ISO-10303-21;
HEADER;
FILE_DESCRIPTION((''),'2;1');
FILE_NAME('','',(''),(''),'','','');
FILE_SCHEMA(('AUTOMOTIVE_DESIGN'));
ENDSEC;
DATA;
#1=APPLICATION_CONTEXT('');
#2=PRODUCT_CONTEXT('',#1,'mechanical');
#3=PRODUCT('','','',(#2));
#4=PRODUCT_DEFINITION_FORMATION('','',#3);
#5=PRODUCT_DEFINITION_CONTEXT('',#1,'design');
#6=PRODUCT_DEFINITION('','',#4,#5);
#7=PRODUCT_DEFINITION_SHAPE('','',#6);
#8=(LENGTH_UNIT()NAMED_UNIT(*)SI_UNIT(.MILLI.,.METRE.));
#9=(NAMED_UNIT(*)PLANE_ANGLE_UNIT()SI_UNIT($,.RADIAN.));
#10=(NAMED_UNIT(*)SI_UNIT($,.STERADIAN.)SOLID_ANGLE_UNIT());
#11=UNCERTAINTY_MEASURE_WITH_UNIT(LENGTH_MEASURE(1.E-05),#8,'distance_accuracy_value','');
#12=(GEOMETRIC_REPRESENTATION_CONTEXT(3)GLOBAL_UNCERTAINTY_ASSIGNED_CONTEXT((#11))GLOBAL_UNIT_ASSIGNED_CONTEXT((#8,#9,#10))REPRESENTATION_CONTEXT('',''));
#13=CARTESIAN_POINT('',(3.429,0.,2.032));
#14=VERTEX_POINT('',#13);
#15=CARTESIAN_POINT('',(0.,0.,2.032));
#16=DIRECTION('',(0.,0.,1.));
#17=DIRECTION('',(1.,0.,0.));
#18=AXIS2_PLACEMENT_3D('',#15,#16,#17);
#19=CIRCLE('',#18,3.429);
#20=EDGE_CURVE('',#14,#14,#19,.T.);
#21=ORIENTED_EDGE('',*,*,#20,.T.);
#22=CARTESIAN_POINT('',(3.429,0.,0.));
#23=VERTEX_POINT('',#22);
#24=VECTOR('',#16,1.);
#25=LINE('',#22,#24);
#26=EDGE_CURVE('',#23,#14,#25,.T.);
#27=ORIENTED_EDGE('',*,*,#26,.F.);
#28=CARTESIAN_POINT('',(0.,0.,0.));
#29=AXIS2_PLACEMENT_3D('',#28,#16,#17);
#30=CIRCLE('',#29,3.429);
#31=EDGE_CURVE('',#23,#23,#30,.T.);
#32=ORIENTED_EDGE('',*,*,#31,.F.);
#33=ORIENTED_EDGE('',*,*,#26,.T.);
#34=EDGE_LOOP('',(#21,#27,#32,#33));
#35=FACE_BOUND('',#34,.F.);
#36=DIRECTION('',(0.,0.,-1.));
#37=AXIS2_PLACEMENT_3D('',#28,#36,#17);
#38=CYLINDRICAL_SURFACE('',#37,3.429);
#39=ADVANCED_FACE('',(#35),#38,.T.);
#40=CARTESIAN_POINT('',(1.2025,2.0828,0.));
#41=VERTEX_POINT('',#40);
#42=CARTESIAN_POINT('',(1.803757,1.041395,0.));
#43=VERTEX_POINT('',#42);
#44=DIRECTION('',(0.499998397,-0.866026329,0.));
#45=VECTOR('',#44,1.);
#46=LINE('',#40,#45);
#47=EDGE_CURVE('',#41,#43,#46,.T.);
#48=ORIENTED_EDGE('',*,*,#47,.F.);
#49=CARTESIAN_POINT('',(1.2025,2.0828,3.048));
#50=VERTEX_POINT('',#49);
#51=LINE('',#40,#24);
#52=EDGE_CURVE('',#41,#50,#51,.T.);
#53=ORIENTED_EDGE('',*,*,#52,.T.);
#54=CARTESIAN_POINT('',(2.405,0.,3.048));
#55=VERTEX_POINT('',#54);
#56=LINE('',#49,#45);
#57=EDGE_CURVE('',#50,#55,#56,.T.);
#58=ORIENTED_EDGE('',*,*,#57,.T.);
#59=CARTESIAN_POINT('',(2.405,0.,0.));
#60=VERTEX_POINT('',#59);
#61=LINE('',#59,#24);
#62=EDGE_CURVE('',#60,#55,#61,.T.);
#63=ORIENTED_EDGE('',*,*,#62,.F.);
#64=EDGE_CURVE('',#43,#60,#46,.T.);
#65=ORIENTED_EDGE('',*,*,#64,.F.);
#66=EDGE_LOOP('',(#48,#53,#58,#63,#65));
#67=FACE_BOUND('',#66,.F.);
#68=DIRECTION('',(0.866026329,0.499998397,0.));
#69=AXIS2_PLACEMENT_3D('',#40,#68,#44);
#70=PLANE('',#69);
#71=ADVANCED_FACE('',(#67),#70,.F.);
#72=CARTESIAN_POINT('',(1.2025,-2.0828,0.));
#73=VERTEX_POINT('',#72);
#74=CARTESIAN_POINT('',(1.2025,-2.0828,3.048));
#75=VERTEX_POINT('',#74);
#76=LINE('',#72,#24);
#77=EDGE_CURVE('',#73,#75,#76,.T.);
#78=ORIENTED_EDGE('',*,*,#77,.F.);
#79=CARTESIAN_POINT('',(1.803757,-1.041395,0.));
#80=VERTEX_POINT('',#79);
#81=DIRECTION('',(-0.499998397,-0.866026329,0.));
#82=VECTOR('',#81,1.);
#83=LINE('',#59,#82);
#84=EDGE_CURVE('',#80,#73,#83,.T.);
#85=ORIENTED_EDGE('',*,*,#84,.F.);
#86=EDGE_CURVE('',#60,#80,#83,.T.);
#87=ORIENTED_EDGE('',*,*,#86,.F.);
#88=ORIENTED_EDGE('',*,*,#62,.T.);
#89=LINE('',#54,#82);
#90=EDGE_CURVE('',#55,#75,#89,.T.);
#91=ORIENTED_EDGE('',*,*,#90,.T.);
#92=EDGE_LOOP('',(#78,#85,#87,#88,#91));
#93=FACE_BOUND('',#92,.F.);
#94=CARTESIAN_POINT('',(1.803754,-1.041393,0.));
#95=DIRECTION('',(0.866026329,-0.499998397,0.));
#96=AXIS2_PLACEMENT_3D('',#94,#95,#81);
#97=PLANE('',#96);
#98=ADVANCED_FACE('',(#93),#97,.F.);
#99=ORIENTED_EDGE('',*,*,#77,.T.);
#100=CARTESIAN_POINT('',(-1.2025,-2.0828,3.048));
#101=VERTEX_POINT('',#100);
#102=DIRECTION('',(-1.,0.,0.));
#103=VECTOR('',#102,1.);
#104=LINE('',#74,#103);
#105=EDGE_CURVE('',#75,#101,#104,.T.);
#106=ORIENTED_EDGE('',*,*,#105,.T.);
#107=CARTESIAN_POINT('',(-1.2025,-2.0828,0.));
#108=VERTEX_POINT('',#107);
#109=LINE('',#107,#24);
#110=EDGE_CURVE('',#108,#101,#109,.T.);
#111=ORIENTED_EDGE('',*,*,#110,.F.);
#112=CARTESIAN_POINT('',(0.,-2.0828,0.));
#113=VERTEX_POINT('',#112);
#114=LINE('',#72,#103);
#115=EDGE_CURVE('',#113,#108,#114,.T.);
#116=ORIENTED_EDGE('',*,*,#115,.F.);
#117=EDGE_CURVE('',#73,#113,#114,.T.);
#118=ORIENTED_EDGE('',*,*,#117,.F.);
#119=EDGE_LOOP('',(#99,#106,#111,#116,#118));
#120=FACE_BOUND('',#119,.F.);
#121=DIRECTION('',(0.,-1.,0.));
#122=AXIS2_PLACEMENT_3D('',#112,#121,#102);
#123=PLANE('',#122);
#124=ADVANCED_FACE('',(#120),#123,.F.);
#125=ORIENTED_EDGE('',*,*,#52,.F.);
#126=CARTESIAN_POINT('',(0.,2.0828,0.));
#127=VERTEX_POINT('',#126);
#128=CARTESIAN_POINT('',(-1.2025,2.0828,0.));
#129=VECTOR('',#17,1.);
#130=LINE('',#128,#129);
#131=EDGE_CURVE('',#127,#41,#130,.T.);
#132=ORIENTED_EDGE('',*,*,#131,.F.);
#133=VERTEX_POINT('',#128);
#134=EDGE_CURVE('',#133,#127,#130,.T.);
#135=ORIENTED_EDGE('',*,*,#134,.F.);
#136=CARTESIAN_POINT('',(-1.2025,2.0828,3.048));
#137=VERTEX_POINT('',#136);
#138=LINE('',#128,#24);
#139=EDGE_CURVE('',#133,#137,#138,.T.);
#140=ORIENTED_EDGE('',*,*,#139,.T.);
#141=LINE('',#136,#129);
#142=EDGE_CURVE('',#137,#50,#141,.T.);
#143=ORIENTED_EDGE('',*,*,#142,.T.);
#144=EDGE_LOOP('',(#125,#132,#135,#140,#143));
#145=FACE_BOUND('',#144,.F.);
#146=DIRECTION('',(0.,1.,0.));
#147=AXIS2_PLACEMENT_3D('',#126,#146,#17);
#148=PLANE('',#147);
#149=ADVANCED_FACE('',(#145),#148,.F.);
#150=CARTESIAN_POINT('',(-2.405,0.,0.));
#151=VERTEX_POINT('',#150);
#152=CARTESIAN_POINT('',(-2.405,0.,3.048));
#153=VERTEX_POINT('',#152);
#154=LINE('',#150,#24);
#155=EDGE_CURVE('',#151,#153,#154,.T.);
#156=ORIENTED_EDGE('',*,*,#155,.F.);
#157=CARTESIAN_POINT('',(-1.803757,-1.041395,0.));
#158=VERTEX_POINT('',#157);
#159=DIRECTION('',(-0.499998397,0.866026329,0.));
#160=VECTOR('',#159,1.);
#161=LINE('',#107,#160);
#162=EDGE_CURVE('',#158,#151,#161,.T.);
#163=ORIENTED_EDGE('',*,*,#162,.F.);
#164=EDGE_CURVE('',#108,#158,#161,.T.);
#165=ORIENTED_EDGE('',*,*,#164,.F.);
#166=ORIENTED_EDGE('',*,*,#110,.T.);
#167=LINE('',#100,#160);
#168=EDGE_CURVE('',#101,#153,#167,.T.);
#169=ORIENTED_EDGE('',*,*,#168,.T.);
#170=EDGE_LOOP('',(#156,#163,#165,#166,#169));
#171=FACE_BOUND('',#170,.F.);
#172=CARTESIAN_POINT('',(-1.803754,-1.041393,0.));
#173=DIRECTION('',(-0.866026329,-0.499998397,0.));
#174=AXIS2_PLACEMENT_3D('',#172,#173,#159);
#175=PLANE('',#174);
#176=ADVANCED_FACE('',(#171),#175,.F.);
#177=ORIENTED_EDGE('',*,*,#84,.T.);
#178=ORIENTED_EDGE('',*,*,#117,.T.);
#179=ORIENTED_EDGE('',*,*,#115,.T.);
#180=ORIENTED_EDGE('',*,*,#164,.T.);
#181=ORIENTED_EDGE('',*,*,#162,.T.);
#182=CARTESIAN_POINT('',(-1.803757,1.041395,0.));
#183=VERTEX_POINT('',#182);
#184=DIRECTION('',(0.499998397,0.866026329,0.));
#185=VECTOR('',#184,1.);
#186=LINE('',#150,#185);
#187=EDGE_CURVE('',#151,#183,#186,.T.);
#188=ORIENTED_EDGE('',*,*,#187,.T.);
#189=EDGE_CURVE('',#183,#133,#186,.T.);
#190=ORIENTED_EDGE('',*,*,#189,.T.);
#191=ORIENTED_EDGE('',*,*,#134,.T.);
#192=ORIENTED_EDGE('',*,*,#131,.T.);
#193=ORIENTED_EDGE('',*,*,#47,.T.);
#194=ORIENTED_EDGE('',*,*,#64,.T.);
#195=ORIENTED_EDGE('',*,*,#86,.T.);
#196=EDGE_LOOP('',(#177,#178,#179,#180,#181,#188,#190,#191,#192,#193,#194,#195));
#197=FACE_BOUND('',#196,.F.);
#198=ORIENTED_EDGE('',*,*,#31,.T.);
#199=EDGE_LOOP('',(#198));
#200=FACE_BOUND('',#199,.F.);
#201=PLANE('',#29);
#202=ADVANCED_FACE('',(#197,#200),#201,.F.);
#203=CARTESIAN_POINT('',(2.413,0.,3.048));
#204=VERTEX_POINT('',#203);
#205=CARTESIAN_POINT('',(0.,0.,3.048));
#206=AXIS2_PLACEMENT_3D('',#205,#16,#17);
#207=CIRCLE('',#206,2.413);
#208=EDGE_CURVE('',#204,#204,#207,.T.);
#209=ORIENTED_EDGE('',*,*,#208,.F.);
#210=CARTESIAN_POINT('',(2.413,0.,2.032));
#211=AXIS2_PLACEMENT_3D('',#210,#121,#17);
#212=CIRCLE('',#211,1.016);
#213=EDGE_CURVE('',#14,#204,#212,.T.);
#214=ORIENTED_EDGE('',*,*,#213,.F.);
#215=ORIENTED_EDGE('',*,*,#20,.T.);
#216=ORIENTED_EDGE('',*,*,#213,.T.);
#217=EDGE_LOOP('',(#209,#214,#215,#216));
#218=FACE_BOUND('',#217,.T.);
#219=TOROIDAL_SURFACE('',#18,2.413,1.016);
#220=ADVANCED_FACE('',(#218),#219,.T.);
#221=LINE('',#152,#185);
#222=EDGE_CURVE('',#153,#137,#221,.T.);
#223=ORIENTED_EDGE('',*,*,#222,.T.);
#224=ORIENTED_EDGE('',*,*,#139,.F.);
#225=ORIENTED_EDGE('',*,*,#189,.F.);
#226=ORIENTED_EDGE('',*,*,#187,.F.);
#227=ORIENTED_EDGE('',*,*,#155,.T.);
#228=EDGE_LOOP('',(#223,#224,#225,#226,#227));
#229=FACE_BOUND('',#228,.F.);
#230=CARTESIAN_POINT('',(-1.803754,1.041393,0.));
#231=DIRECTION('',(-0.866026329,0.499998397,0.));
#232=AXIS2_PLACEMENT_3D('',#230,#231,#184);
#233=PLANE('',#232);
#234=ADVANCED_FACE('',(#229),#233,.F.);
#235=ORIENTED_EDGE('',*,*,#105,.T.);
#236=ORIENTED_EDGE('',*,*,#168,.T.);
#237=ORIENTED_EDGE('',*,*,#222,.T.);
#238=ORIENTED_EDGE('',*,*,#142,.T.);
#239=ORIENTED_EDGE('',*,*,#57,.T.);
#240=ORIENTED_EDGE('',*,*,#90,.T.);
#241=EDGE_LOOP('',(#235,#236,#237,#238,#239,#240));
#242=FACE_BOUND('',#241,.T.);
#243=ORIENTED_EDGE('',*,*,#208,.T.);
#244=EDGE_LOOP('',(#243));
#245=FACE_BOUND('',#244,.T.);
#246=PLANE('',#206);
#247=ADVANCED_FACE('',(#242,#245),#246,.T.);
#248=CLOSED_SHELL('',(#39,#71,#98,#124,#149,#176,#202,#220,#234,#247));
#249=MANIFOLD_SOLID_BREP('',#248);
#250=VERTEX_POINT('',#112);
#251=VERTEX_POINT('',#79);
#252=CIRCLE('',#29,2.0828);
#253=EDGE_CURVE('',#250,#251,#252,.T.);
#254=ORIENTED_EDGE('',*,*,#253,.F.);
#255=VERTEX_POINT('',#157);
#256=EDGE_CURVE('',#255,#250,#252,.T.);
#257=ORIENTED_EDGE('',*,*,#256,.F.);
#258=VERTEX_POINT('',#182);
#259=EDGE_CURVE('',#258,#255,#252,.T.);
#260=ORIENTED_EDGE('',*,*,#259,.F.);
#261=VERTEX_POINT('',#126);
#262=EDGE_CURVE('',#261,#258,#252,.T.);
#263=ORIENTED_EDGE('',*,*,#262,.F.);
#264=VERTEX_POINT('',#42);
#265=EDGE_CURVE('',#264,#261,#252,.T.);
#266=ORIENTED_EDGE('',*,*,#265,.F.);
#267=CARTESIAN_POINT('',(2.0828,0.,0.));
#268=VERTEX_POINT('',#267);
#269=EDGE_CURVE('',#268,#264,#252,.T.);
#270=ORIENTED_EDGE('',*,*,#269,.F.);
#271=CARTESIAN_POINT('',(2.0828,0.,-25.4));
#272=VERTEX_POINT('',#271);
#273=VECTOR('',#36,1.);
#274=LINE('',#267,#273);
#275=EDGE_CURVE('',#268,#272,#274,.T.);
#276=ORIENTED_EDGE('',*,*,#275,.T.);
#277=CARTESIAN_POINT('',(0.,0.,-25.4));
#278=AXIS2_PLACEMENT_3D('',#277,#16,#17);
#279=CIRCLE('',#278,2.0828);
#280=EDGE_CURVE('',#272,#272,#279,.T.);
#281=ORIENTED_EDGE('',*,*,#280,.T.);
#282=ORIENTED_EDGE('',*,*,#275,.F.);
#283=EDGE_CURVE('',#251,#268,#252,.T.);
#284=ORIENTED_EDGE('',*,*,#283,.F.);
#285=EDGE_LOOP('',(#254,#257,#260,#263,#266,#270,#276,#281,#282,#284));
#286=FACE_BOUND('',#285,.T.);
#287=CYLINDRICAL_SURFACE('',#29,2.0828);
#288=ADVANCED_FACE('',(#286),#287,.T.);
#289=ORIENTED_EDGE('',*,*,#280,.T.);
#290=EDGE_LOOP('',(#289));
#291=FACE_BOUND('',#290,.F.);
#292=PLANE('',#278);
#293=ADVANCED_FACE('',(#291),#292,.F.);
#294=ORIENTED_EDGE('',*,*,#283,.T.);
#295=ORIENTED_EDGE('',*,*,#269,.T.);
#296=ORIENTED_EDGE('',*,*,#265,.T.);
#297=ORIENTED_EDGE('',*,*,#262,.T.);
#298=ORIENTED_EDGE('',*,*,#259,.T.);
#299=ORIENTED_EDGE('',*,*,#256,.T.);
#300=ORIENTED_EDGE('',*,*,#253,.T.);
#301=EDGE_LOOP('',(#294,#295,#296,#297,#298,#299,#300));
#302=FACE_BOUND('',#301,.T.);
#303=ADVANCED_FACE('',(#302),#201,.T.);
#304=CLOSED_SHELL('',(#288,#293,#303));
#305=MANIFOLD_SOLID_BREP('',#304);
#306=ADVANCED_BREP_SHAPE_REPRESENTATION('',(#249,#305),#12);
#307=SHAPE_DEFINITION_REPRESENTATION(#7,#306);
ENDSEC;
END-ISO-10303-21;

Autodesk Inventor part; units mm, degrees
ref_plane "YZ Plane" through (0, 0, 0) normal (1, 0, 0) x (0, 1, 0)
ref_plane "XZ Plane" through (0, 0, 0) normal (0, 1, 0) x (-1, 0, 0)
ref_plane "XY Plane" through (0, 0, 0) normal (0, 0, 1) x (1, 0, 0)
sketch "Sketch1" plane through (0, 0, 0) normal (0, 0, 1) x (1, 0, 0)
  circle A0 centre (0, 0) radius 3.429
  circle A1 centre (0, 0) radius 2.0828
  line L0 (1.2025, 2.0828) -> (2.405, 0)
  line L1 (2.405, 0) -> (1.2025, -2.0828)
  line L2 (1.2025, -2.0828) -> (-1.2025, -2.0828)
  line L3 (-1.2025, -2.0828) -> (-2.405, 0)
  line L4 (-2.405, 0) -> (-1.2025, 2.0828)
  line L5 (-1.2025, 2.0828) -> (1.2025, 2.0828)
  dimension "d0" = 4.1656
  dimension "d1" = 6.858
extrude "Extrusion1" add sketch "Sketch1" against normal blind 25.4 contours A1
extrude "Extrusion2" add sketch "Sketch1" along normal blind 3.048
thread "Thread1" size "8-32 UNC" class "2A" standard "ANSI Unified Screw Threads" full length
fillet "Fillet1" radius 1.016 1 edges at (-3.429, 0, 3.048)
properties part number "Bolt 8-32 bracket BD Drill motor mount"
